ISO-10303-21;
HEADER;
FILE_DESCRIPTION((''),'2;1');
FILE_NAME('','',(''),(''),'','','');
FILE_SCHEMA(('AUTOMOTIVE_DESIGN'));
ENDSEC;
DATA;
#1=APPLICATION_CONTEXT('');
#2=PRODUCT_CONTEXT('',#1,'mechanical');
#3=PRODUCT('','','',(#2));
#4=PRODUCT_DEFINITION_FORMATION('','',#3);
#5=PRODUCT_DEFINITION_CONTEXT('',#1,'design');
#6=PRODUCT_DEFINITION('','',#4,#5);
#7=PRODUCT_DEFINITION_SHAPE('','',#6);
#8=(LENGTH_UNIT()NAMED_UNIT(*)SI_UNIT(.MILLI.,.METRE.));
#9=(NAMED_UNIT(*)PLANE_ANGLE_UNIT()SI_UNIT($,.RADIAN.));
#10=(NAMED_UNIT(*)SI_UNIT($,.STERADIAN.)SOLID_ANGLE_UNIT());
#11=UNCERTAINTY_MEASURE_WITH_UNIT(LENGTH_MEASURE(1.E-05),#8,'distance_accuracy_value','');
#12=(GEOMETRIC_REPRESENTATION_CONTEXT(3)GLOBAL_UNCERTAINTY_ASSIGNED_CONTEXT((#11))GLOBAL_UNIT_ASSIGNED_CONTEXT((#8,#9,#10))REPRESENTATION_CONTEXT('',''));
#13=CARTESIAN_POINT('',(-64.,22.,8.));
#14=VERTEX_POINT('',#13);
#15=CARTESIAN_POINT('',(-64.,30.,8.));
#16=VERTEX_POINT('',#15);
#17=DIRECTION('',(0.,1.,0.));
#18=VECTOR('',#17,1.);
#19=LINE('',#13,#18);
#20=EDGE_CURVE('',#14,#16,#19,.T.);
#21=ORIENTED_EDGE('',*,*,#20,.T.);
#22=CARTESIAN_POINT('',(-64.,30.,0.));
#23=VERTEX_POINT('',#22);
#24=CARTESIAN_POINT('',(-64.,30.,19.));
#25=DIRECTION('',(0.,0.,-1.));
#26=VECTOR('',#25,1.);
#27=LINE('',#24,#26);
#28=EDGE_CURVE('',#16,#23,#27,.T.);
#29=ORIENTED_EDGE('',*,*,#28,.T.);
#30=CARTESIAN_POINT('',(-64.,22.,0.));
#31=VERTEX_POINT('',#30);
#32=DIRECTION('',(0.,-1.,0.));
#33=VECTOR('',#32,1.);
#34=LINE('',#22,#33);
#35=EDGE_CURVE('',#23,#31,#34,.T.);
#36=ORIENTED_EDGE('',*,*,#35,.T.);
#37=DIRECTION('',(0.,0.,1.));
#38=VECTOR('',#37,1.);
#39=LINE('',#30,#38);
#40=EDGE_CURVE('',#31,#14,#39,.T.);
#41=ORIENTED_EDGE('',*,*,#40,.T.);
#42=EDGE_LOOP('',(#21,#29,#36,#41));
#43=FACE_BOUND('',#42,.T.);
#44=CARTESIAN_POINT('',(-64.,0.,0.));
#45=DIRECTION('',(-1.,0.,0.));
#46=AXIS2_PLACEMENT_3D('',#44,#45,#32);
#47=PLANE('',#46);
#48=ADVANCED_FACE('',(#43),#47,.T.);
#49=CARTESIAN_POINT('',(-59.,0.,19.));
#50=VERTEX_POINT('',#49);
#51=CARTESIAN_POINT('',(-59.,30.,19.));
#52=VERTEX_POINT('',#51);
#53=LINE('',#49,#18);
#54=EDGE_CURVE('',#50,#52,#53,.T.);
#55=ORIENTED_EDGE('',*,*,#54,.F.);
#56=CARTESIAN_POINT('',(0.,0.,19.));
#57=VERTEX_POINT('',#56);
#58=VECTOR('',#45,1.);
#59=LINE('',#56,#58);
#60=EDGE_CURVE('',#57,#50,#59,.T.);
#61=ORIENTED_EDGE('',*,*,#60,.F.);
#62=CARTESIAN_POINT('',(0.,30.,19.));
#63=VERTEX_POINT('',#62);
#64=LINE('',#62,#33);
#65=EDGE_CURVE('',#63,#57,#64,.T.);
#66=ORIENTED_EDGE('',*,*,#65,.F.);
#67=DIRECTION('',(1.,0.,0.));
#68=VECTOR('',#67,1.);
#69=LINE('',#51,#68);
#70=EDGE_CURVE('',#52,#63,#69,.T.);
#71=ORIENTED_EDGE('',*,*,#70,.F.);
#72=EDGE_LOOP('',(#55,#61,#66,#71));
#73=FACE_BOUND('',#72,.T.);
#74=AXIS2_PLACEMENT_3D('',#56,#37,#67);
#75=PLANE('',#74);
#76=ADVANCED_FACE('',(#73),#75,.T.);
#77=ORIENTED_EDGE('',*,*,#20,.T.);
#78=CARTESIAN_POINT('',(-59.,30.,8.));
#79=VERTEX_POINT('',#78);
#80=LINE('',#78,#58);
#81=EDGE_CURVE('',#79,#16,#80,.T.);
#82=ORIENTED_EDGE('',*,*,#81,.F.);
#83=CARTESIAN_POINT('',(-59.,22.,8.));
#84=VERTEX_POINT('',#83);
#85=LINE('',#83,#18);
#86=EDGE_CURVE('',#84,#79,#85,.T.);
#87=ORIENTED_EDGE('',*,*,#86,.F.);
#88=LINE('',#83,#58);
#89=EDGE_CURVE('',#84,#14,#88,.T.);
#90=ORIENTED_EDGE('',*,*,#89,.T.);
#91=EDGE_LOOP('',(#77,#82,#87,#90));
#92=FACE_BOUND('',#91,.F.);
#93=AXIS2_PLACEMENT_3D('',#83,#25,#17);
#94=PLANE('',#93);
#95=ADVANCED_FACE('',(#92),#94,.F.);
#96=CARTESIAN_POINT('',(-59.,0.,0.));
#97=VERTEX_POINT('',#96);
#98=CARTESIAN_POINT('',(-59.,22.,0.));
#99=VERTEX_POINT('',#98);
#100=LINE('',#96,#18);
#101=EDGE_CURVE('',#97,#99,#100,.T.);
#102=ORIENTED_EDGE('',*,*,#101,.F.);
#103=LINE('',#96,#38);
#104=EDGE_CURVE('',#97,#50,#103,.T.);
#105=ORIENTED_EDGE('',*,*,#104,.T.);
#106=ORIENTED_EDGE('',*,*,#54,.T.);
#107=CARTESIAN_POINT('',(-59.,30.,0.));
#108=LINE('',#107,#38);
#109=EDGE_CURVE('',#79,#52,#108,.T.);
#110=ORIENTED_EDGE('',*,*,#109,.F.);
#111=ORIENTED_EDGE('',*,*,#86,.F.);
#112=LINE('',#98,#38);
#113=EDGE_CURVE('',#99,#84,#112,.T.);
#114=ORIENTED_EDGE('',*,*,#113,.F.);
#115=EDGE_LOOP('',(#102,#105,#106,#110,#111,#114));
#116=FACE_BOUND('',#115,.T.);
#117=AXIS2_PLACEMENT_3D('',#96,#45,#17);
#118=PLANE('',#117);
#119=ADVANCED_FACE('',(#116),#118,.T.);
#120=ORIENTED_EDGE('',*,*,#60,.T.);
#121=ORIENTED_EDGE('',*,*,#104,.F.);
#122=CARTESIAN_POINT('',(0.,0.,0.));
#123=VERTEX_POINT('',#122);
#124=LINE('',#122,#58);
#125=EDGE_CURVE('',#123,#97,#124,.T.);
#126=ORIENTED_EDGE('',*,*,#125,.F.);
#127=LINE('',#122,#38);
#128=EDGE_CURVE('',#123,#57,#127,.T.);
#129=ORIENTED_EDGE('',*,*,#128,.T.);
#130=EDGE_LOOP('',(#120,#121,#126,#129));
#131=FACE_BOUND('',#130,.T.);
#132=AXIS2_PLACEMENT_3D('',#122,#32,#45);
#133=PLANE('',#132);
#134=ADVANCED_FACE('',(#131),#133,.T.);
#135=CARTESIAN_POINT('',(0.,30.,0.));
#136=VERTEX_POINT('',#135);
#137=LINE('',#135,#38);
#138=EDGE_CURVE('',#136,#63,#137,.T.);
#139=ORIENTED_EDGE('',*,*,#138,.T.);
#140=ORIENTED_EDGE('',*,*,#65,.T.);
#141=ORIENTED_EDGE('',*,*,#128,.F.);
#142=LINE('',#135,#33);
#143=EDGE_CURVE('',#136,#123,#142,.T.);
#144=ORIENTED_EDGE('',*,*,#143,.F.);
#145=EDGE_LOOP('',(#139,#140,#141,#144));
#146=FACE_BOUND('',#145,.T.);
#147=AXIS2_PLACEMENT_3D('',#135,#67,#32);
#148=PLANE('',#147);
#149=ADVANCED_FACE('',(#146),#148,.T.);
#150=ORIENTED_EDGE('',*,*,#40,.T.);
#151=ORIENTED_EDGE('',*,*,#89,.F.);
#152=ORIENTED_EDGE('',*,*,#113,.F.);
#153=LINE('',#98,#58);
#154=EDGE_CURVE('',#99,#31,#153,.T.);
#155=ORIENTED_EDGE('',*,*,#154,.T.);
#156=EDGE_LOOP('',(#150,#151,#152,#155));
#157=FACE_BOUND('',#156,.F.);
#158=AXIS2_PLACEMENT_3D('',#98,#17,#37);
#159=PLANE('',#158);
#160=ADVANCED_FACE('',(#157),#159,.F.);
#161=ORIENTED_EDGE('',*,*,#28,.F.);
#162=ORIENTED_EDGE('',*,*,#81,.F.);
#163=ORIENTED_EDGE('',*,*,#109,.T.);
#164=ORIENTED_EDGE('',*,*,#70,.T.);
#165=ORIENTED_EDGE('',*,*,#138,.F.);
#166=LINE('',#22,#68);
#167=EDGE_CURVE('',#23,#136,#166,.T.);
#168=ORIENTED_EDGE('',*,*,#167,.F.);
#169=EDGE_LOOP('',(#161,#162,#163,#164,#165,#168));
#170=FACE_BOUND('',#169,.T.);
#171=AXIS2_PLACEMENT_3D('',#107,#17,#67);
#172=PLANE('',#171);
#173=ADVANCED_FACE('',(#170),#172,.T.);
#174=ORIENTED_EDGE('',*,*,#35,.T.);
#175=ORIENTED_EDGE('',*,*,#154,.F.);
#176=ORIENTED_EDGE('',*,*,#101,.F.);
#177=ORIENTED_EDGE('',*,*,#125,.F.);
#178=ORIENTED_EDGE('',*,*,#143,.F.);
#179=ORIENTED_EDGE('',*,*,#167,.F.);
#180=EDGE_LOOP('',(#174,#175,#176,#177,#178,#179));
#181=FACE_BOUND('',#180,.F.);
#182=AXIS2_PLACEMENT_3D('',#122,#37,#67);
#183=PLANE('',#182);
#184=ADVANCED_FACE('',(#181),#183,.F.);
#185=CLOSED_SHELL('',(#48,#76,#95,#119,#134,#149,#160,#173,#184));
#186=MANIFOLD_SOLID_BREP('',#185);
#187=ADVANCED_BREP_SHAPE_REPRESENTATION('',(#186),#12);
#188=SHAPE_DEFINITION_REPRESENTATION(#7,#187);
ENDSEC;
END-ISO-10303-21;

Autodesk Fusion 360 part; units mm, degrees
sketch "Sketch1" plane through (0, 0, 0) normal (0, 0, 1) x (1, 0, 0)
  line L0 (0, 0) -> (-59, 0)
  line L1 (-59, 0) -> (-59, 30)
  line L2 (-59, 30) -> (0, 30)
  line L3 (0, 30) -> (0, 0)
  dimension "d1" = 59
  dimension "d2" = 30
extrude "Extrude1" add sketch "Sketch1" along normal blind 19
sketch "Sketch2" plane through (-59, 0, 0) normal (-1, 0, 0) x (0, -1, 0)
  line L0 (-30, 0) -> (0, 0)
  line L1 (0, 0) -> (0, 19)
  line L2 (0, 19) -> (-30, 19)
  line L3 (-30, 19) -> (-30, 0)
  line L4 (-30, 0) -> (-22, 0)
  line L5 (-22, 0) -> (-22, 8)
  line L6 (-22, 8) -> (-30, 8)
  line L7 (-30, 8) -> (-30, 0)
  dimension "d5" = 8
  dimension "d6" = 8
extrude "Extrude2" add sketch "Sketch2" along normal blind 5 contours L0 L3 L4 L5 L6 L7
